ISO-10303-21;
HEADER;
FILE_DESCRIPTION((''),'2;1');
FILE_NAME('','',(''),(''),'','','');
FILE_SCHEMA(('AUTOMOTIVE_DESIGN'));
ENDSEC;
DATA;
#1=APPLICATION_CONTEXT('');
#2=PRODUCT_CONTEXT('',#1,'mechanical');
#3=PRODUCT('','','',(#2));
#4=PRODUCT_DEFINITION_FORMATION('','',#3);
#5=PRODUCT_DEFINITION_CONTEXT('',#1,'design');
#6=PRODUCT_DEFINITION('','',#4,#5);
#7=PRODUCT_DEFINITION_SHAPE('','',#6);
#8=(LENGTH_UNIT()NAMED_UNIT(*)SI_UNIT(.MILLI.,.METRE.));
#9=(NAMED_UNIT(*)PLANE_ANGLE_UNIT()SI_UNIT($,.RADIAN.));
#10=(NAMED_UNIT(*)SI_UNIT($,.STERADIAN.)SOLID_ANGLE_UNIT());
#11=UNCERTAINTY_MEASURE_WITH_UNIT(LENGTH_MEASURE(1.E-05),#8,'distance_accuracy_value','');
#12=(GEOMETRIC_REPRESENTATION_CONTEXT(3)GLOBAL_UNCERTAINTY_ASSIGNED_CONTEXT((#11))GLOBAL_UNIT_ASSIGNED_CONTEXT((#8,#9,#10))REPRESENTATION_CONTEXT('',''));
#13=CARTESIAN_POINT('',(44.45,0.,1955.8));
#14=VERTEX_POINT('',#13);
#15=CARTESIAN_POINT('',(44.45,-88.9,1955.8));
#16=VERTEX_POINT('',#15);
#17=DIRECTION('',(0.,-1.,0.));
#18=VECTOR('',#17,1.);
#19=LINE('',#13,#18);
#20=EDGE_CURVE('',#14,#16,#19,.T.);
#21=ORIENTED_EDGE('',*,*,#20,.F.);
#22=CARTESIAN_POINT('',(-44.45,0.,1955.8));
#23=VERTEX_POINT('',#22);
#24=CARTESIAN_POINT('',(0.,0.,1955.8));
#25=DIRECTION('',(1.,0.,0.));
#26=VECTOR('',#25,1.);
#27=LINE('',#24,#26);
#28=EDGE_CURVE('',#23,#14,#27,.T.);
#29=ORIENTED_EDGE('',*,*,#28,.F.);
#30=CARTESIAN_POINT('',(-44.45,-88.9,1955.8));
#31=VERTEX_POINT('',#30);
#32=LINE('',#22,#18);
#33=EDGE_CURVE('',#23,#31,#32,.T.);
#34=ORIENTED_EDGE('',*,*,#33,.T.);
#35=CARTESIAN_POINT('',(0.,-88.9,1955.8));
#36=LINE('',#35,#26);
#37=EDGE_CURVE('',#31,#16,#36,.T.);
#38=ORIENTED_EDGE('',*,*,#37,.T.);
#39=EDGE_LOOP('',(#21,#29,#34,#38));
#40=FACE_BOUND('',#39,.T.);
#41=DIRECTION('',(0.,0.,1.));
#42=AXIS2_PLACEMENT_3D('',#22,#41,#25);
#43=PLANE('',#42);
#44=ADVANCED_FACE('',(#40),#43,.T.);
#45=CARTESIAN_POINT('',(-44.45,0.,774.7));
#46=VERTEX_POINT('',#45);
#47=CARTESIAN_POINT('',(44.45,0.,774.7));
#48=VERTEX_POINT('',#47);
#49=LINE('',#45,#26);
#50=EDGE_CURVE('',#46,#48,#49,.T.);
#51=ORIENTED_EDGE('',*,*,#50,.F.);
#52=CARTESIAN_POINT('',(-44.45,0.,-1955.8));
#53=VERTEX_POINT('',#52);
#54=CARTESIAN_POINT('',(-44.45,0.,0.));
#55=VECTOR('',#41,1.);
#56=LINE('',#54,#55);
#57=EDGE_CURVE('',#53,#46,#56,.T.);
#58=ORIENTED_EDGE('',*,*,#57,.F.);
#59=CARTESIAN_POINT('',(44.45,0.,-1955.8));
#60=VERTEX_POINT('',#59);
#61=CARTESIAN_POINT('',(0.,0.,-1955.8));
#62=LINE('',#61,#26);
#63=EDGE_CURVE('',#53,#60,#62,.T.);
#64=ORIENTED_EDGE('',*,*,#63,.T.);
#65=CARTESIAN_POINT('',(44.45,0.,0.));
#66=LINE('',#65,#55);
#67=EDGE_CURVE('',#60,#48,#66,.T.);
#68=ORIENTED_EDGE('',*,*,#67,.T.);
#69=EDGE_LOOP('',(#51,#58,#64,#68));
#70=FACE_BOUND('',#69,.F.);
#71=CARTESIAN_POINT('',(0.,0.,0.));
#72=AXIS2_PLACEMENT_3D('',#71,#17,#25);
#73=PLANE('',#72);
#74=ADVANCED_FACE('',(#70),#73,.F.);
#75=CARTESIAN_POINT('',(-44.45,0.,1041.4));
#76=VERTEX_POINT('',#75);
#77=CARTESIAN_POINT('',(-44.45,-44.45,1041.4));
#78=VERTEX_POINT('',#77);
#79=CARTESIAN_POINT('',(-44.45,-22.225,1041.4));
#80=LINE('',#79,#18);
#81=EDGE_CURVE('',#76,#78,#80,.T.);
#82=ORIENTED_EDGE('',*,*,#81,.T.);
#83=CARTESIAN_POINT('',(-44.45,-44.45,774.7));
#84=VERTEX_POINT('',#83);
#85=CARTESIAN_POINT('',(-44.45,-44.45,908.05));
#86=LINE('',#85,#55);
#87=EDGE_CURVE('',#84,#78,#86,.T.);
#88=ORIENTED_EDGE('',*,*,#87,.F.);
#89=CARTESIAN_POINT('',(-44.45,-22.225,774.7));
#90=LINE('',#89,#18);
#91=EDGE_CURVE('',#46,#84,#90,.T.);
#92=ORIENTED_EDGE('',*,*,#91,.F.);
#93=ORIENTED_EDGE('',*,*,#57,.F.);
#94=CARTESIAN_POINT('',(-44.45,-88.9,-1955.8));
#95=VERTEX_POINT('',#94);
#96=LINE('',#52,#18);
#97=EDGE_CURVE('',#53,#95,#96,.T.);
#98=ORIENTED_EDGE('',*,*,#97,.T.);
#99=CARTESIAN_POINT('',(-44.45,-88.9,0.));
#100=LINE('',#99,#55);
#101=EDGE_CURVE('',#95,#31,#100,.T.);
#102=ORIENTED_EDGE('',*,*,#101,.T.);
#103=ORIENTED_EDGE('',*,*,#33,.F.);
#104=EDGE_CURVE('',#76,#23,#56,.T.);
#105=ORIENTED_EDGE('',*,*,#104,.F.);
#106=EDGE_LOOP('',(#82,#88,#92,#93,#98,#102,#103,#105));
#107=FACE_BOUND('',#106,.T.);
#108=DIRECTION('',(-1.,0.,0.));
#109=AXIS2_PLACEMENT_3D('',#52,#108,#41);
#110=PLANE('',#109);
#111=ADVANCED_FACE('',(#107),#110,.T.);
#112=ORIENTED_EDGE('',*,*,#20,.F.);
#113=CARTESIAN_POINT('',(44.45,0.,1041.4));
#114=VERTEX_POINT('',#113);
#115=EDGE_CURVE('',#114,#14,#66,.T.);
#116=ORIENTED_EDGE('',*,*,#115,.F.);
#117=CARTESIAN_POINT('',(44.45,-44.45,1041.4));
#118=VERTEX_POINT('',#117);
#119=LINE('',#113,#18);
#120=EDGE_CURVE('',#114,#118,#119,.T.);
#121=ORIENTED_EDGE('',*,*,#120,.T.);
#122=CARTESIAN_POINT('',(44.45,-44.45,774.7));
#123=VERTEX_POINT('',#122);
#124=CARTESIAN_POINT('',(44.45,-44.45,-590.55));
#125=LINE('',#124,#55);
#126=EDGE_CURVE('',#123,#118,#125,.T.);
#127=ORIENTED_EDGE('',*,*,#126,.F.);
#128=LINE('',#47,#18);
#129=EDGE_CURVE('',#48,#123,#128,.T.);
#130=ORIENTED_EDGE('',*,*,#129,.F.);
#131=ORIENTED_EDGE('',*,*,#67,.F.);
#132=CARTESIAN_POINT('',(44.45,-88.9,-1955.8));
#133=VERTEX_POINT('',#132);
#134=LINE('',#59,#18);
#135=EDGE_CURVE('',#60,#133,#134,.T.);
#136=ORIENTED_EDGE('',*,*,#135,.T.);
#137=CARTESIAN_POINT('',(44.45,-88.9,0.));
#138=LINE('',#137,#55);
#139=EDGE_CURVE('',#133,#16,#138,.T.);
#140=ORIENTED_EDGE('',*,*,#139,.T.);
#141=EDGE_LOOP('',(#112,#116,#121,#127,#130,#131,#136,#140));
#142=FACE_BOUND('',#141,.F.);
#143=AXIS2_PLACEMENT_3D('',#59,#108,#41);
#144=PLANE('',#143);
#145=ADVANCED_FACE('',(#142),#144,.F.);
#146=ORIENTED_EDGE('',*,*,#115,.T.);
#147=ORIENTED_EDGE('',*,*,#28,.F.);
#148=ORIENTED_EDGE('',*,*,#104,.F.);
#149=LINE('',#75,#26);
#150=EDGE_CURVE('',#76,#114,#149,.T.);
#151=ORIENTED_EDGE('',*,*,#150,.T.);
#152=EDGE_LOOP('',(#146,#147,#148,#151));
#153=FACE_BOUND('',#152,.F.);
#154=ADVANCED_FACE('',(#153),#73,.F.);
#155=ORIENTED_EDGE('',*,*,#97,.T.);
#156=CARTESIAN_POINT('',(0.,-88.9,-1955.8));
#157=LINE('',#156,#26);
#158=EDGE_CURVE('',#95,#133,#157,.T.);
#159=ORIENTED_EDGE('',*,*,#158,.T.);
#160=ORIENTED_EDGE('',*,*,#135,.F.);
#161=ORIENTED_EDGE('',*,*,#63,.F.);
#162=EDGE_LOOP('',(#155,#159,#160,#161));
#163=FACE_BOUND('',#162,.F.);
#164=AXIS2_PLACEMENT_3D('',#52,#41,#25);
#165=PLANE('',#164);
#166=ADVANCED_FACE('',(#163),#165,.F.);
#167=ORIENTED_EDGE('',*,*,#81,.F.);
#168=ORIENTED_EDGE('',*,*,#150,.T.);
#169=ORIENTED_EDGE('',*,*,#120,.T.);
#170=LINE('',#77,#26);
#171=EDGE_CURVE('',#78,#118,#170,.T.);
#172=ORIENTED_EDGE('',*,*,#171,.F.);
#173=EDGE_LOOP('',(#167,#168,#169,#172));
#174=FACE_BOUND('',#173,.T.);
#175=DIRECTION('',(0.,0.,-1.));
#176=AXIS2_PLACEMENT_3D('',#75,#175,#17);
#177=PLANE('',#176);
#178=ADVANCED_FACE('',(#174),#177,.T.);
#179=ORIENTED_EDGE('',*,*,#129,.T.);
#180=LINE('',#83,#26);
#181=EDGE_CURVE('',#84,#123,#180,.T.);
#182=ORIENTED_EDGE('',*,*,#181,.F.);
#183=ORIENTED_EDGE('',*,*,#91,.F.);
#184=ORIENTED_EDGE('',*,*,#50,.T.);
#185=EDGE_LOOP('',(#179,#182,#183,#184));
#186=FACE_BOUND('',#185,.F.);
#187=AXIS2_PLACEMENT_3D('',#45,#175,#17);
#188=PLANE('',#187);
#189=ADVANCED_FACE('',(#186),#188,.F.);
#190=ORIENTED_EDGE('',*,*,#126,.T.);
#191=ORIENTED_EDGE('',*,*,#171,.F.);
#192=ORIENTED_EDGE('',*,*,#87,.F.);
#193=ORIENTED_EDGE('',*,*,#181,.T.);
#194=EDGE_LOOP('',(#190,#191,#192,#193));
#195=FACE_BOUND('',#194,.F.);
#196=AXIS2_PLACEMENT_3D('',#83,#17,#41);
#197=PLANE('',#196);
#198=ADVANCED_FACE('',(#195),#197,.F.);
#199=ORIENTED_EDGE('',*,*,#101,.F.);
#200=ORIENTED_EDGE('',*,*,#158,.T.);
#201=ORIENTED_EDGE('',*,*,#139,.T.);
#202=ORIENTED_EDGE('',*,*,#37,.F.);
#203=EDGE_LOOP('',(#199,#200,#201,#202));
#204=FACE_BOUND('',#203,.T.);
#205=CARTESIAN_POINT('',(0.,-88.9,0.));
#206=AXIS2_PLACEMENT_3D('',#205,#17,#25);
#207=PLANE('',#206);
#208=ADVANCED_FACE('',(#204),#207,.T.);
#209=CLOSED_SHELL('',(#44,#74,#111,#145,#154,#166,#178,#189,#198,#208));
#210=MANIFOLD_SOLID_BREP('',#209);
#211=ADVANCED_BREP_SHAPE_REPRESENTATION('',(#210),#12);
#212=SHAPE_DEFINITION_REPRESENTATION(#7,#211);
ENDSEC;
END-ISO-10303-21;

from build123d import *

# Parameters (mm, degrees)
F0_W     = 88.9
F0_H     = 3911.6
F1_DEPTH = 88.9
F2_W     = 44.45
F2_H     = 266.7
F3_DEPTH = 88.901


with BuildPart() as f1:
    # F0 (on Front) → F1 (new body)
    with BuildSketch(Plane.XZ):
        Rectangle(F0_W, F0_H)
    extrude(amount=F1_DEPTH)

    # F2 (on face) → F3 (cut, through all)
    with BuildSketch(Plane(origin=(-44.45, 0, 0), x_dir=(0, -1, 0), z_dir=(-1, 0, 0))):
        with Locations((22.225, 908.05)):
            Rectangle(F2_W, F2_H)
    extrude(amount=-F3_DEPTH, mode=Mode.SUBTRACT)


solid = f1.part
